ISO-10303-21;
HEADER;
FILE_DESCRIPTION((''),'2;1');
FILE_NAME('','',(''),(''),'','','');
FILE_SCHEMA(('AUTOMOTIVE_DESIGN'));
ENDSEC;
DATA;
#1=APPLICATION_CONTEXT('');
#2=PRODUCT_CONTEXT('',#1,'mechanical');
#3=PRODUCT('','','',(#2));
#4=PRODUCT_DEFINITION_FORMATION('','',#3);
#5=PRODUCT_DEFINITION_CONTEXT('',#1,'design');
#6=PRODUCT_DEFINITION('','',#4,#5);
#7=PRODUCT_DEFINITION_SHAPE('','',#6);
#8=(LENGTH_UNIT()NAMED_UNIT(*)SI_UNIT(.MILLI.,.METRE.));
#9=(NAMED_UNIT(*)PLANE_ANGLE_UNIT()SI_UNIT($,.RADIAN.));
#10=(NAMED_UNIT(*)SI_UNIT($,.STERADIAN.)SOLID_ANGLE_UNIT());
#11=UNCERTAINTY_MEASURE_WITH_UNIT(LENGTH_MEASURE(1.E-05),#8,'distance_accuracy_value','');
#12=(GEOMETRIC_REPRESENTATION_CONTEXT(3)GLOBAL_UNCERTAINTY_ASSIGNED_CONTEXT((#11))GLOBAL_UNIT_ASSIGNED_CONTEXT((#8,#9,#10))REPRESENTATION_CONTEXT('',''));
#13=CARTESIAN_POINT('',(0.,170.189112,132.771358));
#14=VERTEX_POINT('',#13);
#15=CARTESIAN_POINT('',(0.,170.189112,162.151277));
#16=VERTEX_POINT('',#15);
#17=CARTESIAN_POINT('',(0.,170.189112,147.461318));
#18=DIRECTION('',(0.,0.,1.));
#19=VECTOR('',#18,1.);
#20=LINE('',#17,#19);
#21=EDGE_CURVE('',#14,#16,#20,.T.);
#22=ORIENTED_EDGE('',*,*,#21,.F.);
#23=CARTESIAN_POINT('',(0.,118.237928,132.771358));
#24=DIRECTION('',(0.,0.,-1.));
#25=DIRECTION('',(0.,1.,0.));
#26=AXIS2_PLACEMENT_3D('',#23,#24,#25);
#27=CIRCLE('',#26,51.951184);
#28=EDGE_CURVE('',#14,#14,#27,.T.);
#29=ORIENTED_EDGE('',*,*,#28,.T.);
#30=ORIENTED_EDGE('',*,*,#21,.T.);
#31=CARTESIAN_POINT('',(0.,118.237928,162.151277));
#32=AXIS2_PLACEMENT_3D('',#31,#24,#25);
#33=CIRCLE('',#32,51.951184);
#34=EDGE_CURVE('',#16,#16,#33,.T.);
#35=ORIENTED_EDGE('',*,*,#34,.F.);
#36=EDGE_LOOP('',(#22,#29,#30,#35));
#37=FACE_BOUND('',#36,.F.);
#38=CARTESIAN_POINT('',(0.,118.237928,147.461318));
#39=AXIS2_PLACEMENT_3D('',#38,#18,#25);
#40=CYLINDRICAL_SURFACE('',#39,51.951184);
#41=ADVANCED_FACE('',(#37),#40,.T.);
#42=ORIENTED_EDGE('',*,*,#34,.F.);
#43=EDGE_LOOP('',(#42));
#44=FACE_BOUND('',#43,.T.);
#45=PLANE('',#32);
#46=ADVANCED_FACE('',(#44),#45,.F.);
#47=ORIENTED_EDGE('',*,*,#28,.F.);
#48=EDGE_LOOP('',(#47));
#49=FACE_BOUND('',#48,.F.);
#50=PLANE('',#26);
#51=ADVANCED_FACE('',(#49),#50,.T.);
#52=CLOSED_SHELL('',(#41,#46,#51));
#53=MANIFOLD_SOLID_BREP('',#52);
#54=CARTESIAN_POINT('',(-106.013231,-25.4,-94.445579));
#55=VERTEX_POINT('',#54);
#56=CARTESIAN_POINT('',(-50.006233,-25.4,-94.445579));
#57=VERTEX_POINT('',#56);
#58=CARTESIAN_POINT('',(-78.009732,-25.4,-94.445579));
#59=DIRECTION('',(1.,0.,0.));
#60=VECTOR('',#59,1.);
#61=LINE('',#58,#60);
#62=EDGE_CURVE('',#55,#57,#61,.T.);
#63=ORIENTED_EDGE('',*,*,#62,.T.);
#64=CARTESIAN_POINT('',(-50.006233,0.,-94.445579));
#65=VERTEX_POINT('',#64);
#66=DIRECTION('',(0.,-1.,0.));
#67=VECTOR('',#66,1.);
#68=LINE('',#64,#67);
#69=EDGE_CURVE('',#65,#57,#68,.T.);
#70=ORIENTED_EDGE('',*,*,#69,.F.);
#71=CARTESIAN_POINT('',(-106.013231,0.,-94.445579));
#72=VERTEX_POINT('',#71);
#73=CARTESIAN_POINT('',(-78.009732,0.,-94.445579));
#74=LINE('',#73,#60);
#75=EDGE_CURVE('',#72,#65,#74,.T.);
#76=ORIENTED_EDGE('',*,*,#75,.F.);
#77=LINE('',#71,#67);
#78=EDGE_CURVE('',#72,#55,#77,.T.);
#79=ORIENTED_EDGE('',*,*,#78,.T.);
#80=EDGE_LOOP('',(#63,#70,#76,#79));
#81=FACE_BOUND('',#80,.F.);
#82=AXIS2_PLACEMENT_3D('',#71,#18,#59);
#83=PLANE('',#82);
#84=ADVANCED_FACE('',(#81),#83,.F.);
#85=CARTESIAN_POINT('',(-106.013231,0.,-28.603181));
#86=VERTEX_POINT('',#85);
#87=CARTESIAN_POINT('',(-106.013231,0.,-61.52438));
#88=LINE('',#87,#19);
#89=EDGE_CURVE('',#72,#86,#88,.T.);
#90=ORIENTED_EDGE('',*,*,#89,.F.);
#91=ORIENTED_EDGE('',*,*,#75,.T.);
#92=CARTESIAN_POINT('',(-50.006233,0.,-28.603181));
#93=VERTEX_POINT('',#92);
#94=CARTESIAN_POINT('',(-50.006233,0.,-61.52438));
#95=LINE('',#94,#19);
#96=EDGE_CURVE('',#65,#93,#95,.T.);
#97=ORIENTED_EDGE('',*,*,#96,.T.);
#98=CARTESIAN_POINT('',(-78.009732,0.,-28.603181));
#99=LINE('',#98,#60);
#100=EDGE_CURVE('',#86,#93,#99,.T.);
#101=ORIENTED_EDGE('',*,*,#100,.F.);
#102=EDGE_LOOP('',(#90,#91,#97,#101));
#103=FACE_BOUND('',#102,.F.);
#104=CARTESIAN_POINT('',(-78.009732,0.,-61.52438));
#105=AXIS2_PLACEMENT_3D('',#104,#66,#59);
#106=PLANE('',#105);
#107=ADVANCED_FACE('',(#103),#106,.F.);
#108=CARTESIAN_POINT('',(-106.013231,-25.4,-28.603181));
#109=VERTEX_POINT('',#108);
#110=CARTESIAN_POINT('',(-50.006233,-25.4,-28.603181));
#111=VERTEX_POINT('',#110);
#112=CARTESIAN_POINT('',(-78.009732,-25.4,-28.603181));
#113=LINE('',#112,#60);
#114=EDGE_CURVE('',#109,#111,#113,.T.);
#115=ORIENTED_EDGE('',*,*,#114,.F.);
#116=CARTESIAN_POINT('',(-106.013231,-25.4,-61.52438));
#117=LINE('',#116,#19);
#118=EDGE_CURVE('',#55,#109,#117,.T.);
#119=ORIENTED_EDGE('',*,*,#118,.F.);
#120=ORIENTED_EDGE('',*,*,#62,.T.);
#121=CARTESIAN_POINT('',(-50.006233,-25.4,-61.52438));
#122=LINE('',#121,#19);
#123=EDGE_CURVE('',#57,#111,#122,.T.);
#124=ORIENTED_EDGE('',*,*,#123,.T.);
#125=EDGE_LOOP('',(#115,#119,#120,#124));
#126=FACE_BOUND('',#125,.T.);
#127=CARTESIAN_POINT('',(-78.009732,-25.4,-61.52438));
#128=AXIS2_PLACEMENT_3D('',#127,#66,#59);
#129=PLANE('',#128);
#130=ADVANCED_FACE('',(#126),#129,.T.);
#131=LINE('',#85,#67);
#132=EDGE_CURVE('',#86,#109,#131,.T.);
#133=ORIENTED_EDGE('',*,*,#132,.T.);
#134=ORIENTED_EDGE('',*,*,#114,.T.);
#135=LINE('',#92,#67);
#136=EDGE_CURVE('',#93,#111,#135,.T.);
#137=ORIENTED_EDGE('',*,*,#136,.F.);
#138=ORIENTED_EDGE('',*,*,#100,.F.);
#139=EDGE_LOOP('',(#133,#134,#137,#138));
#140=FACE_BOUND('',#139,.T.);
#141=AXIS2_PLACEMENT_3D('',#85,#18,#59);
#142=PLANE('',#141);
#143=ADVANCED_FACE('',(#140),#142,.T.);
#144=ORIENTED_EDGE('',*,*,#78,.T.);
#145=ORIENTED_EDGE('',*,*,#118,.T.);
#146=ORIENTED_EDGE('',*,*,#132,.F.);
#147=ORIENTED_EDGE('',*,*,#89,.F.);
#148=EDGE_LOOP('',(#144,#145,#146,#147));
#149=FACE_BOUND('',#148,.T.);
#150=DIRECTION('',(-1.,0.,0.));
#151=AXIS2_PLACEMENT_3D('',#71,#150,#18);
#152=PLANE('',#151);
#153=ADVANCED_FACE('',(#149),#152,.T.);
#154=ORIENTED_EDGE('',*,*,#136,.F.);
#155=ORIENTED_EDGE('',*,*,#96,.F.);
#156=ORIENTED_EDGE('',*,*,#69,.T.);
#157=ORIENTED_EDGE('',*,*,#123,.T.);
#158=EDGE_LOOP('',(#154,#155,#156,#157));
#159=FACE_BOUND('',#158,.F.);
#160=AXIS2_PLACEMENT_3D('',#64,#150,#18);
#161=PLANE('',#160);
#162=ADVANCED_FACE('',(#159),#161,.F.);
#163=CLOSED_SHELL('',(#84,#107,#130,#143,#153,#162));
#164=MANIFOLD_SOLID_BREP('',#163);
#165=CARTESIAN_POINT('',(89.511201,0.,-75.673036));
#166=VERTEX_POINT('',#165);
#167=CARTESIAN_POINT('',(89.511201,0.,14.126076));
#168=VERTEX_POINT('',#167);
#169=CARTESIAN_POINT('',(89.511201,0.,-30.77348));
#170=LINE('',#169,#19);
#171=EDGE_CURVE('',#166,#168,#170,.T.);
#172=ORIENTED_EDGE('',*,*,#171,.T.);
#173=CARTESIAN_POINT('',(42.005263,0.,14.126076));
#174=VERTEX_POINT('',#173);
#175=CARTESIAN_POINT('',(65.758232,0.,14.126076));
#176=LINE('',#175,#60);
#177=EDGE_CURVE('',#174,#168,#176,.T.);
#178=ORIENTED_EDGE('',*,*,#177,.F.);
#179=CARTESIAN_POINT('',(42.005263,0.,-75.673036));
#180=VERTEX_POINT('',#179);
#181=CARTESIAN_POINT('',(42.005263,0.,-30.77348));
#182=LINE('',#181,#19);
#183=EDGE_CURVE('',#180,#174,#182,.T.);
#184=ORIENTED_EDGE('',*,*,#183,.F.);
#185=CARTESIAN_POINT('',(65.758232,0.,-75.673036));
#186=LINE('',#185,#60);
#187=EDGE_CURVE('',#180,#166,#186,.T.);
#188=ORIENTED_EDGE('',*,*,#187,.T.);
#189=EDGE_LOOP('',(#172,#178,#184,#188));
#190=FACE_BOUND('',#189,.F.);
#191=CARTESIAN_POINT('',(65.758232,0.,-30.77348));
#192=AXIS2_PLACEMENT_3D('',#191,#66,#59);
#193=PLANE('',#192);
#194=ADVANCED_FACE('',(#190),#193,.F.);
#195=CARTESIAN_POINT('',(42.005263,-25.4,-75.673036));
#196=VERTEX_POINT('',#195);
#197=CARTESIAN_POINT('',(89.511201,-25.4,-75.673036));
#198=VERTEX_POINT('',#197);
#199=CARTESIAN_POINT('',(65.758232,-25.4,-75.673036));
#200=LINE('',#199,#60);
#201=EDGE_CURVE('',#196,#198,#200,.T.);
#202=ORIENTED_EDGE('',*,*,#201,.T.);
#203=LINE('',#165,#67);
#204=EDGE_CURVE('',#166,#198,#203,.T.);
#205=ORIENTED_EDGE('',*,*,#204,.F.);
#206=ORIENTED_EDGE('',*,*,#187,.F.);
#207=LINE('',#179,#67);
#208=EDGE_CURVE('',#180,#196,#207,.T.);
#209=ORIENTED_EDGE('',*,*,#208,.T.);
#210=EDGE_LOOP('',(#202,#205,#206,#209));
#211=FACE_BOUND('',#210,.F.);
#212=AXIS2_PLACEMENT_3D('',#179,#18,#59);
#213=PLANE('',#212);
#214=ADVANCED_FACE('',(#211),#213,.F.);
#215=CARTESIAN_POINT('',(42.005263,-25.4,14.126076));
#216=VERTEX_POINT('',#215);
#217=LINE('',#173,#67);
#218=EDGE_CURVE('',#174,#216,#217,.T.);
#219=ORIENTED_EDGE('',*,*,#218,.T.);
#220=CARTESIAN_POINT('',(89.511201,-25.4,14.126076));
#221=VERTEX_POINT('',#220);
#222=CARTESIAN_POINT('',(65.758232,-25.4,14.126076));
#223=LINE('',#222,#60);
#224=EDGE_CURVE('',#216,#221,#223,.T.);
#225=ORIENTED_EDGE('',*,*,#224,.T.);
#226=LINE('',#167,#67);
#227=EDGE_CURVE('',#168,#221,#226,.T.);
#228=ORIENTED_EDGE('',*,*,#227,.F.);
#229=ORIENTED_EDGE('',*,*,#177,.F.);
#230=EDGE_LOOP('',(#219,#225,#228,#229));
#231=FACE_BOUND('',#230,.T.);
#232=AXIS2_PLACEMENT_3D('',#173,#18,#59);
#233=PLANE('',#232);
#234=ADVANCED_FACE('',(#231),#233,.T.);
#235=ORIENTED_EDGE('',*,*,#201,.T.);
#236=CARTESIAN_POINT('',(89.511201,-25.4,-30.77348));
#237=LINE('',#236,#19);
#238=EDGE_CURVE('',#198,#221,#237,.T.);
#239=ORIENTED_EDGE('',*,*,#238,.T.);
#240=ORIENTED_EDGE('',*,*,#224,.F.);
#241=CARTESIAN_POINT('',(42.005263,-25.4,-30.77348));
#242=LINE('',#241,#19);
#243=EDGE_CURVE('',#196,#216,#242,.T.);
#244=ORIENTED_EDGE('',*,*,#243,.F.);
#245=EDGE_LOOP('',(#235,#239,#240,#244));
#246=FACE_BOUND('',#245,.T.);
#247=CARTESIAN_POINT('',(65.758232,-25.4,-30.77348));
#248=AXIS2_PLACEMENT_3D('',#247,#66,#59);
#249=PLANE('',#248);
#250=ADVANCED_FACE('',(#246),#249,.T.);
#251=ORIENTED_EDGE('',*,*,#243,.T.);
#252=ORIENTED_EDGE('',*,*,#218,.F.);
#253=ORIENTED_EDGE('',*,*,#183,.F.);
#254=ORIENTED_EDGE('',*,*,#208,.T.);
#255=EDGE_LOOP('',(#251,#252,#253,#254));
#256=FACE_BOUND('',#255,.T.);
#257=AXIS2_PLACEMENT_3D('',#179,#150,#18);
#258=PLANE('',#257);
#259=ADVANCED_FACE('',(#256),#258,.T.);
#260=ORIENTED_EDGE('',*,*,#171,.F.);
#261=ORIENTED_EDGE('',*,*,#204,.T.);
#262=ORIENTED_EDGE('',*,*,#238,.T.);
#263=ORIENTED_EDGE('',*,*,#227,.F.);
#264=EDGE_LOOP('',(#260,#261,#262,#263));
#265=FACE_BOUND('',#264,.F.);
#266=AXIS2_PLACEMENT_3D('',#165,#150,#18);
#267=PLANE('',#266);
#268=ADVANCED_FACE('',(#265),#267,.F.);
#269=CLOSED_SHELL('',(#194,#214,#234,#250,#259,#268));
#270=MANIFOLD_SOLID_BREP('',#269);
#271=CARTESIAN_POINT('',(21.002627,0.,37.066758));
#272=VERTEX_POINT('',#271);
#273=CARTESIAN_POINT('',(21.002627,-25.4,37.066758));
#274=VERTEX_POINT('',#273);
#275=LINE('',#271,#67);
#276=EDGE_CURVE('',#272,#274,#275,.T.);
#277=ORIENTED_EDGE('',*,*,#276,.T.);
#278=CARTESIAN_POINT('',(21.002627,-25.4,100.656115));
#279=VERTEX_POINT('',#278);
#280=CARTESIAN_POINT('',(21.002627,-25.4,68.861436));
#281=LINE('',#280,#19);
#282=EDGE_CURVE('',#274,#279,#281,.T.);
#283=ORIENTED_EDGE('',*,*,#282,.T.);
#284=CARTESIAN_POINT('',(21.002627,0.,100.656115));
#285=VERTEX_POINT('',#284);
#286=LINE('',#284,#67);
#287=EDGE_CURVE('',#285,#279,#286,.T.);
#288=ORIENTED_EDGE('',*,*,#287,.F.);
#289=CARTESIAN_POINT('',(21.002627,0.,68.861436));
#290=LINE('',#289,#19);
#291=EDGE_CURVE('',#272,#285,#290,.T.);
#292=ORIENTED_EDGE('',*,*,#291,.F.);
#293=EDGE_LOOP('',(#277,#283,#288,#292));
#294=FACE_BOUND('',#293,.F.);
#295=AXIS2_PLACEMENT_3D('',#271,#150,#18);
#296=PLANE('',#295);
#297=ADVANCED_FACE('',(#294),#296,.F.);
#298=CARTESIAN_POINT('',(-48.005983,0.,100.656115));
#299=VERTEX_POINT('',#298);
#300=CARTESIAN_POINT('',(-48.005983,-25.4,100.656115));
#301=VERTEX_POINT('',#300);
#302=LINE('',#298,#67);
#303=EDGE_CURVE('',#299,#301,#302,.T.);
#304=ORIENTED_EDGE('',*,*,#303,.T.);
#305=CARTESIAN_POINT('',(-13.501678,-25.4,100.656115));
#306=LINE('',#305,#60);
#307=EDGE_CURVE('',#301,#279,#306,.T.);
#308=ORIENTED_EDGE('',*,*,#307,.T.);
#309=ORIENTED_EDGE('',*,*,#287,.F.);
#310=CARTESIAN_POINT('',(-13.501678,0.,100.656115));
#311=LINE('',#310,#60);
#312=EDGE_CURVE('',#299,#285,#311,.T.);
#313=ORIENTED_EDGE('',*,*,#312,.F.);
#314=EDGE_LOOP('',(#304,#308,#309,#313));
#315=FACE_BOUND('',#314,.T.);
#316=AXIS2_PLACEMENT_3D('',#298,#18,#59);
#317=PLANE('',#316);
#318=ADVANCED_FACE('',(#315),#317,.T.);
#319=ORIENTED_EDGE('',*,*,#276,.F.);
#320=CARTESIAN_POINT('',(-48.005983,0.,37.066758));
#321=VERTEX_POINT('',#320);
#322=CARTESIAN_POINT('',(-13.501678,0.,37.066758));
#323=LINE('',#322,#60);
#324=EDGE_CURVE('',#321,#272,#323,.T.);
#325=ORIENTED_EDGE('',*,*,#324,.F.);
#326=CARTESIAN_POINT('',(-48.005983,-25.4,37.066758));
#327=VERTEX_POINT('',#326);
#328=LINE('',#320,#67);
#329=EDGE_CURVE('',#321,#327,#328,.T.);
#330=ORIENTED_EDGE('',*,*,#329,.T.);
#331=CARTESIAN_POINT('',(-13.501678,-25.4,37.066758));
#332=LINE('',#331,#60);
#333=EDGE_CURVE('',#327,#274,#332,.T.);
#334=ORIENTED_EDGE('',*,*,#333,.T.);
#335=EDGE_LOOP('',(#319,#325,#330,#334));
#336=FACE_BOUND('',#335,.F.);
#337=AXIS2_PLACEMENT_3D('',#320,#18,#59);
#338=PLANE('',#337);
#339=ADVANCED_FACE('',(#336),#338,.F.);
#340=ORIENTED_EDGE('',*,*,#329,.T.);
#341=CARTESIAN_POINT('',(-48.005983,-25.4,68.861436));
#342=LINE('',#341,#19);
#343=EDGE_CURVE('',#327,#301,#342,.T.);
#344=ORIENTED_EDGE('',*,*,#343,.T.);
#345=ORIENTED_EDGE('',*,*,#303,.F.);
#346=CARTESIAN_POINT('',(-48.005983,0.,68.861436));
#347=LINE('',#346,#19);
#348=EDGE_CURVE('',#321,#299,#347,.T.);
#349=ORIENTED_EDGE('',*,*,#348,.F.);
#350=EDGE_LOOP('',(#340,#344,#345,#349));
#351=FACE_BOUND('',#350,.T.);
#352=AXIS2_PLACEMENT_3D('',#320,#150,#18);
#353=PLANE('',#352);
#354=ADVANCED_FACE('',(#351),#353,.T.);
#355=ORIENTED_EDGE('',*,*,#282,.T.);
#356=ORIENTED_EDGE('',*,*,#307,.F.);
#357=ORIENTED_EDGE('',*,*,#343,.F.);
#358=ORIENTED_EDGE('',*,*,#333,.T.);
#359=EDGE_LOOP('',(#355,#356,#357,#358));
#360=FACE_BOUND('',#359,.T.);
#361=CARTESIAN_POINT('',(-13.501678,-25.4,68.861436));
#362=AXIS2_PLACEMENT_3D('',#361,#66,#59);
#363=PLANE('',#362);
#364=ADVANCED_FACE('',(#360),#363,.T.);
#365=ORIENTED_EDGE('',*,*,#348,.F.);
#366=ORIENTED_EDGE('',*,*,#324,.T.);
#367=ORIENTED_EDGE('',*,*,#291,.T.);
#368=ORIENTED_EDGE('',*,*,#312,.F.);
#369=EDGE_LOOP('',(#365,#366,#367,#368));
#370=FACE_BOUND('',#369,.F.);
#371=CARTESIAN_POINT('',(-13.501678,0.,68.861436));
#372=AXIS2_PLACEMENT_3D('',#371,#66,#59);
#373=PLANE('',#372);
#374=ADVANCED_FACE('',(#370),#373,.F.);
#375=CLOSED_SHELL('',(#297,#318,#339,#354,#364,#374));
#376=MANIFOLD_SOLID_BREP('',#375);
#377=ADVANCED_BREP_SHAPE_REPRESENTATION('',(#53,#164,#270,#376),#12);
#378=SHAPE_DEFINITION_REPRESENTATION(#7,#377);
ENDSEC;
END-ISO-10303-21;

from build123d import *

# Parameters (mm, degrees)
F0_W     = 69.008611
F0_H     = 63.589357
F0_W_2   = 56.006998
F0_H_2   = 65.842398
F0_W_3   = 47.505938
F0_H_3   = 89.799113
F1_DEPTH = 25.4
F2_W     = 51.951184
F2_H     = 29.379919


with BuildPart() as f1:
    # F0 (on Front) → F1 (new body)
    with BuildSketch(Plane.XZ):
        with Locations((-13.501678, 68.861436)):
            Rectangle(F0_W, F0_H)
        with Locations((-78.009732, -61.52438)):
            Rectangle(F0_W_2, F0_H_2)
        with Locations((65.758232, -30.77348)):
            Rectangle(F0_W_3, F0_H_3)
    extrude(amount=F1_DEPTH)


with BuildPart() as f3:
    # F2 (on Right) → F3 (revolve)
    with BuildSketch(Plane.YZ):
        with Locations((144.21352, 147.461318)):
            Rectangle(F2_W, F2_H)
    revolve(axis=Axis((0, 118.237928, 147.461317), (0, 0, -1)))


solid = Compound([f1.part, f3.part])
